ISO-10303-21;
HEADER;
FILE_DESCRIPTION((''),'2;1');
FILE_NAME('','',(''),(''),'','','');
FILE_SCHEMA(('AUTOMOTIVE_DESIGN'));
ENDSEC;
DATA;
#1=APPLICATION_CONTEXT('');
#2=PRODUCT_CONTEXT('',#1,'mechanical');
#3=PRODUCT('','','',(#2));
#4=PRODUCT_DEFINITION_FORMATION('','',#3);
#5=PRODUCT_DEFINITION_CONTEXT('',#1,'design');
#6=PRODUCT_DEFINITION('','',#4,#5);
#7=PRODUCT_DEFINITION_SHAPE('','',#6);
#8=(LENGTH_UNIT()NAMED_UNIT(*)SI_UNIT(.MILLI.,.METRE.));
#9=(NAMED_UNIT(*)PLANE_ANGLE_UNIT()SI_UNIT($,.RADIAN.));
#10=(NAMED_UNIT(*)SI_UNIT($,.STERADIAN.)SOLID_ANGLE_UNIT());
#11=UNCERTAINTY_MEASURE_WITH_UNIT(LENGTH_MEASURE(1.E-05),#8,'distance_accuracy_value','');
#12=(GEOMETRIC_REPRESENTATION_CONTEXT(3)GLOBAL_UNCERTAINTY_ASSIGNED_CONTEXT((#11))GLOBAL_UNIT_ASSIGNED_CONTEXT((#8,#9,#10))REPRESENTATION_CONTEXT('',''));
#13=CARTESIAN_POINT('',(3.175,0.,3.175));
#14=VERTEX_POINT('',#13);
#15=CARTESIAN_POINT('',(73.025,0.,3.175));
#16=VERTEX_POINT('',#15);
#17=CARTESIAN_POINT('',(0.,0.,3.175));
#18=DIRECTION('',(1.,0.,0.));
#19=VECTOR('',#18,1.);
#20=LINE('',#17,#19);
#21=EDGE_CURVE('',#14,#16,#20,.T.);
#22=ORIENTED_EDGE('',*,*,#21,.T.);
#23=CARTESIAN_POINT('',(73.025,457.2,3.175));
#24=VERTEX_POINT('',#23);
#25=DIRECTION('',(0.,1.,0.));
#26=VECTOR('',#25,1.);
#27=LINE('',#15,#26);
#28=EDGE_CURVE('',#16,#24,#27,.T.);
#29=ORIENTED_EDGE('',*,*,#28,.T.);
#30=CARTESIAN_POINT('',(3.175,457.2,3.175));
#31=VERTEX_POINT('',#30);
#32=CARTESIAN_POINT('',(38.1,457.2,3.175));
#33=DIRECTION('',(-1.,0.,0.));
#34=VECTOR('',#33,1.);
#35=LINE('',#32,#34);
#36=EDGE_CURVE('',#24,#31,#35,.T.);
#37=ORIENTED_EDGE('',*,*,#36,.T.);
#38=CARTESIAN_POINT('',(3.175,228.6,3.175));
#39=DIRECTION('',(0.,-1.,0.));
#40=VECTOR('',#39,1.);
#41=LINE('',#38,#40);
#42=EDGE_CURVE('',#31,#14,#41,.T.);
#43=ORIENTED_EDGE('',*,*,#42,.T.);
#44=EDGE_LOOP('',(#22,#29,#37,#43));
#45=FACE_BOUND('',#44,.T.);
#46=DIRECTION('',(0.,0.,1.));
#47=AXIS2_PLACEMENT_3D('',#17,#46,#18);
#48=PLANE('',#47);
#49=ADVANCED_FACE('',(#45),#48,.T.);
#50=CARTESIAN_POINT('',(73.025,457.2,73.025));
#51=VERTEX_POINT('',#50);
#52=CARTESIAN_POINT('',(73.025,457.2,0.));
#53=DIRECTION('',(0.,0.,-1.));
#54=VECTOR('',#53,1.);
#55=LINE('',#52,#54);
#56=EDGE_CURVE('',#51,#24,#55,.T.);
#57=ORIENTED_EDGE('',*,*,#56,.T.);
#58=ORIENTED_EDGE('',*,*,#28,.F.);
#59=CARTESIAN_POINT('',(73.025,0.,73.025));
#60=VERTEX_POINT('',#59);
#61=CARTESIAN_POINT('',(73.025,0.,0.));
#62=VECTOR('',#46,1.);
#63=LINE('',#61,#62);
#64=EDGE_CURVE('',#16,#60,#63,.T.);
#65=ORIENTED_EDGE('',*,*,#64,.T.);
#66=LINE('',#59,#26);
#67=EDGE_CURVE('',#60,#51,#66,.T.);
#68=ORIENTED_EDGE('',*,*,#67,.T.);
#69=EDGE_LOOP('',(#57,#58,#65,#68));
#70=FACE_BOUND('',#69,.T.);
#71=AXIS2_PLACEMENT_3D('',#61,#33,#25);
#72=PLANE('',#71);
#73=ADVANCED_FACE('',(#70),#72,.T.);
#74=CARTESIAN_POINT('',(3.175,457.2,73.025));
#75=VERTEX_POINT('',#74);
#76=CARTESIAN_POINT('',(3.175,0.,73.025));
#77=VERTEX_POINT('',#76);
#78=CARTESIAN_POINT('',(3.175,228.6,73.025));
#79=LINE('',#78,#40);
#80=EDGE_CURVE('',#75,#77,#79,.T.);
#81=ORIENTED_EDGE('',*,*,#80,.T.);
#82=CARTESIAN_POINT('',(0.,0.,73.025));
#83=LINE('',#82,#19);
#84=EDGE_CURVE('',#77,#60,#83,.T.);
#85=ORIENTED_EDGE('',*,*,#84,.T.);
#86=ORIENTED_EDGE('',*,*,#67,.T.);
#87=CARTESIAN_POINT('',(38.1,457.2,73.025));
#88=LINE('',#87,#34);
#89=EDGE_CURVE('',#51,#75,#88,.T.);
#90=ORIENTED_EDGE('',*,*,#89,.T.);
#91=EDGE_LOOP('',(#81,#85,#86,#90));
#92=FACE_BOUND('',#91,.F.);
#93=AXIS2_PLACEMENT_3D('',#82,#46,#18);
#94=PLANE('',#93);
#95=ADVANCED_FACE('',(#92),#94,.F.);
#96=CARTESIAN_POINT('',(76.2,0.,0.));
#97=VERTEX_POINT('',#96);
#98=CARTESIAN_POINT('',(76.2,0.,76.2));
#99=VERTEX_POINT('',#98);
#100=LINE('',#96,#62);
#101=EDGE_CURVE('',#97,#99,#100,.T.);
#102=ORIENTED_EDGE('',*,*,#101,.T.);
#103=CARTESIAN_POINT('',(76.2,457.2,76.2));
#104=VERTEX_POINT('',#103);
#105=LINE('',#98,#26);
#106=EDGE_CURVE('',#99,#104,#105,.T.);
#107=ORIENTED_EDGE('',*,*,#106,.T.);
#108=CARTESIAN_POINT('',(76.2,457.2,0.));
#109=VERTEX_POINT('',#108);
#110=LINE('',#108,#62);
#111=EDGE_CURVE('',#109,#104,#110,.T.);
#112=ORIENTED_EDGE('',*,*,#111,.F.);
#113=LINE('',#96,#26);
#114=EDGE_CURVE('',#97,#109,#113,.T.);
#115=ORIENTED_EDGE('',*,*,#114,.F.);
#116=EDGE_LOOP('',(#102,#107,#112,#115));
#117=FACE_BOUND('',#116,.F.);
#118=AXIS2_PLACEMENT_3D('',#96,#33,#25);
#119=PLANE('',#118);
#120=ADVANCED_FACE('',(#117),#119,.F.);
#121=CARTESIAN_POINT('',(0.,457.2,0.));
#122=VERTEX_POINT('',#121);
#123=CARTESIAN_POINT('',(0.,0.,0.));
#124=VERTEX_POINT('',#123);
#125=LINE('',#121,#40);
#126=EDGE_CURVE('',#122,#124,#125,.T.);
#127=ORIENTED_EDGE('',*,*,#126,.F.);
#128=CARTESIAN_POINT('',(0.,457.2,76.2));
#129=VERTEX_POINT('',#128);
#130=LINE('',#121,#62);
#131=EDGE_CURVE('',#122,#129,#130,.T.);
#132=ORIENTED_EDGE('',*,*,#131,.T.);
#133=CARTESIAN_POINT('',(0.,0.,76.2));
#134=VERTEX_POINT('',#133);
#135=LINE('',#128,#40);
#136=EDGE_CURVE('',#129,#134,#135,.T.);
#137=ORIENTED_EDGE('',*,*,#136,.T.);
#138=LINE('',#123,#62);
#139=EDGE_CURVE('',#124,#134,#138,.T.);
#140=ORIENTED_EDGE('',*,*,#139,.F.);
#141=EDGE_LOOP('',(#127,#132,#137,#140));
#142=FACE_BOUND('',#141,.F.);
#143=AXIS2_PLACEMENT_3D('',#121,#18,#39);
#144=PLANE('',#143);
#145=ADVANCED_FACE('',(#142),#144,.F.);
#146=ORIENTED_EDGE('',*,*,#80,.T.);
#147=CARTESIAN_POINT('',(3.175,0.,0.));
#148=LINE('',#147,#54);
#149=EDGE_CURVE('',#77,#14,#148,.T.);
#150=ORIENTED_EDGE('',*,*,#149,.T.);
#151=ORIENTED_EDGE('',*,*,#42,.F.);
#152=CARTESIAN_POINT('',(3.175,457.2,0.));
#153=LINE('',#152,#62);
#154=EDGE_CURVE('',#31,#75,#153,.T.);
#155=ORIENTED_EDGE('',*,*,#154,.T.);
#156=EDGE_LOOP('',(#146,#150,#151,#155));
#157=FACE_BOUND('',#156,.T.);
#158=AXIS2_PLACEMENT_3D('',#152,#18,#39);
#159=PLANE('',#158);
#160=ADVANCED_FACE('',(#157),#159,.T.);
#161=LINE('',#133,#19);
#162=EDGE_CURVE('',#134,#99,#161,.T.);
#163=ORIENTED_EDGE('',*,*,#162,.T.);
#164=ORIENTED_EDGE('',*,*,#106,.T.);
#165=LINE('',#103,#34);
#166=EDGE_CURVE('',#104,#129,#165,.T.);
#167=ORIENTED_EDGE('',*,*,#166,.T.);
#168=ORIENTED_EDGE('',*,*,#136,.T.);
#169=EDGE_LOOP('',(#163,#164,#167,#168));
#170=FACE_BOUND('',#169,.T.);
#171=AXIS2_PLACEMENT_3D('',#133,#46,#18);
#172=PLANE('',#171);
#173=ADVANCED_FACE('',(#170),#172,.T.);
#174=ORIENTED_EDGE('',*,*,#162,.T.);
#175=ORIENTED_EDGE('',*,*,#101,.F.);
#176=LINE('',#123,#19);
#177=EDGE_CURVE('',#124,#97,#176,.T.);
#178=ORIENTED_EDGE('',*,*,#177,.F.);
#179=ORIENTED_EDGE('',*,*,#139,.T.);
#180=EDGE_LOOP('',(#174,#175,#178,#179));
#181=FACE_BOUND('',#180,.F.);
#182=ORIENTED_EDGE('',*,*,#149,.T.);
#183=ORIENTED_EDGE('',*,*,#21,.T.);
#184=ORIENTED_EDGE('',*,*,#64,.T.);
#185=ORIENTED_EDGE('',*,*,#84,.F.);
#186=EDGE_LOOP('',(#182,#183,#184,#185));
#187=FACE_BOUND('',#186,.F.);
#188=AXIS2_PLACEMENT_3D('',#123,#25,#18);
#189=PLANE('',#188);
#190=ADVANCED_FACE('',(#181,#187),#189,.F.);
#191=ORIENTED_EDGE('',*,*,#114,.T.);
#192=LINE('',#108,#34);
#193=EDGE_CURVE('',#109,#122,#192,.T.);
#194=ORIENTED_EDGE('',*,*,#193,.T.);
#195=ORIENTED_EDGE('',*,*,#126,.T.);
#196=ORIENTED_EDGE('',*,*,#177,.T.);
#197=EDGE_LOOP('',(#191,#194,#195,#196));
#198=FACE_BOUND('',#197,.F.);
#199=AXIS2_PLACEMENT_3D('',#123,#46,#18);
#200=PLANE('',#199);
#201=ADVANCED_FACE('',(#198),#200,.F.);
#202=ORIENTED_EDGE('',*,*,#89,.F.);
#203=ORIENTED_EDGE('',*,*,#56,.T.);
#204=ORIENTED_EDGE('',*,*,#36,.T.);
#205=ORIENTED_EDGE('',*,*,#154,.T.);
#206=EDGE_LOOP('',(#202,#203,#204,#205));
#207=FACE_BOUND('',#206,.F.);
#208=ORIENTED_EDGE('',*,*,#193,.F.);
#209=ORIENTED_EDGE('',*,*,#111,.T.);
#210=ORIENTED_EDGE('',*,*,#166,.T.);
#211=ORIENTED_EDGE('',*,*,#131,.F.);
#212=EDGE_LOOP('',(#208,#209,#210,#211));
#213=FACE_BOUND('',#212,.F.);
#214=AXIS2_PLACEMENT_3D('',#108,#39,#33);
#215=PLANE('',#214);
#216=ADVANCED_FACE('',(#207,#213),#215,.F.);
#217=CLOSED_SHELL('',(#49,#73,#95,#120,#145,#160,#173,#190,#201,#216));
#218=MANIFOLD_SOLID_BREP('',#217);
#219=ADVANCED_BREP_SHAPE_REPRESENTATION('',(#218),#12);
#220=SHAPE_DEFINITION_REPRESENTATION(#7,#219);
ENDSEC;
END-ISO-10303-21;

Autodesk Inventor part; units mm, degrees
ref_plane "YZ Plane" through (0, 0, 0) normal (1, 0, 0) x (0, 1, 0)
ref_plane "XZ Plane" through (0, 0, 0) normal (0, 1, 0) x (-1, 0, 0)
ref_plane "XY Plane" through (0, 0, 0) normal (0, 0, 1) x (1, 0, 0)
sketch "Sketch1" plane through (0, 0, 0) normal (0, 0, 1) x (1, 0, 0)
  line L0 (0, 0) -> (76.2, 0)
  line L1 (76.2, 0) -> (76.2, 457.2)
  line L2 (76.2, 457.2) -> (0, 457.2)
  line L3 (0, 457.2) -> (0, 0)
  dimension "d0" = 76.2
  dimension "d1" = 457.2
extrude "Extrusion1" add sketch "Sketch1" along normal blind 76.2
shell "Shell1" thickness 3.175 removed faces 2 at (50.8, 457.2, 25.4) at (25.4, 0, 25.4)
properties part number "CentralColumn" material "Aluminum-6061"
